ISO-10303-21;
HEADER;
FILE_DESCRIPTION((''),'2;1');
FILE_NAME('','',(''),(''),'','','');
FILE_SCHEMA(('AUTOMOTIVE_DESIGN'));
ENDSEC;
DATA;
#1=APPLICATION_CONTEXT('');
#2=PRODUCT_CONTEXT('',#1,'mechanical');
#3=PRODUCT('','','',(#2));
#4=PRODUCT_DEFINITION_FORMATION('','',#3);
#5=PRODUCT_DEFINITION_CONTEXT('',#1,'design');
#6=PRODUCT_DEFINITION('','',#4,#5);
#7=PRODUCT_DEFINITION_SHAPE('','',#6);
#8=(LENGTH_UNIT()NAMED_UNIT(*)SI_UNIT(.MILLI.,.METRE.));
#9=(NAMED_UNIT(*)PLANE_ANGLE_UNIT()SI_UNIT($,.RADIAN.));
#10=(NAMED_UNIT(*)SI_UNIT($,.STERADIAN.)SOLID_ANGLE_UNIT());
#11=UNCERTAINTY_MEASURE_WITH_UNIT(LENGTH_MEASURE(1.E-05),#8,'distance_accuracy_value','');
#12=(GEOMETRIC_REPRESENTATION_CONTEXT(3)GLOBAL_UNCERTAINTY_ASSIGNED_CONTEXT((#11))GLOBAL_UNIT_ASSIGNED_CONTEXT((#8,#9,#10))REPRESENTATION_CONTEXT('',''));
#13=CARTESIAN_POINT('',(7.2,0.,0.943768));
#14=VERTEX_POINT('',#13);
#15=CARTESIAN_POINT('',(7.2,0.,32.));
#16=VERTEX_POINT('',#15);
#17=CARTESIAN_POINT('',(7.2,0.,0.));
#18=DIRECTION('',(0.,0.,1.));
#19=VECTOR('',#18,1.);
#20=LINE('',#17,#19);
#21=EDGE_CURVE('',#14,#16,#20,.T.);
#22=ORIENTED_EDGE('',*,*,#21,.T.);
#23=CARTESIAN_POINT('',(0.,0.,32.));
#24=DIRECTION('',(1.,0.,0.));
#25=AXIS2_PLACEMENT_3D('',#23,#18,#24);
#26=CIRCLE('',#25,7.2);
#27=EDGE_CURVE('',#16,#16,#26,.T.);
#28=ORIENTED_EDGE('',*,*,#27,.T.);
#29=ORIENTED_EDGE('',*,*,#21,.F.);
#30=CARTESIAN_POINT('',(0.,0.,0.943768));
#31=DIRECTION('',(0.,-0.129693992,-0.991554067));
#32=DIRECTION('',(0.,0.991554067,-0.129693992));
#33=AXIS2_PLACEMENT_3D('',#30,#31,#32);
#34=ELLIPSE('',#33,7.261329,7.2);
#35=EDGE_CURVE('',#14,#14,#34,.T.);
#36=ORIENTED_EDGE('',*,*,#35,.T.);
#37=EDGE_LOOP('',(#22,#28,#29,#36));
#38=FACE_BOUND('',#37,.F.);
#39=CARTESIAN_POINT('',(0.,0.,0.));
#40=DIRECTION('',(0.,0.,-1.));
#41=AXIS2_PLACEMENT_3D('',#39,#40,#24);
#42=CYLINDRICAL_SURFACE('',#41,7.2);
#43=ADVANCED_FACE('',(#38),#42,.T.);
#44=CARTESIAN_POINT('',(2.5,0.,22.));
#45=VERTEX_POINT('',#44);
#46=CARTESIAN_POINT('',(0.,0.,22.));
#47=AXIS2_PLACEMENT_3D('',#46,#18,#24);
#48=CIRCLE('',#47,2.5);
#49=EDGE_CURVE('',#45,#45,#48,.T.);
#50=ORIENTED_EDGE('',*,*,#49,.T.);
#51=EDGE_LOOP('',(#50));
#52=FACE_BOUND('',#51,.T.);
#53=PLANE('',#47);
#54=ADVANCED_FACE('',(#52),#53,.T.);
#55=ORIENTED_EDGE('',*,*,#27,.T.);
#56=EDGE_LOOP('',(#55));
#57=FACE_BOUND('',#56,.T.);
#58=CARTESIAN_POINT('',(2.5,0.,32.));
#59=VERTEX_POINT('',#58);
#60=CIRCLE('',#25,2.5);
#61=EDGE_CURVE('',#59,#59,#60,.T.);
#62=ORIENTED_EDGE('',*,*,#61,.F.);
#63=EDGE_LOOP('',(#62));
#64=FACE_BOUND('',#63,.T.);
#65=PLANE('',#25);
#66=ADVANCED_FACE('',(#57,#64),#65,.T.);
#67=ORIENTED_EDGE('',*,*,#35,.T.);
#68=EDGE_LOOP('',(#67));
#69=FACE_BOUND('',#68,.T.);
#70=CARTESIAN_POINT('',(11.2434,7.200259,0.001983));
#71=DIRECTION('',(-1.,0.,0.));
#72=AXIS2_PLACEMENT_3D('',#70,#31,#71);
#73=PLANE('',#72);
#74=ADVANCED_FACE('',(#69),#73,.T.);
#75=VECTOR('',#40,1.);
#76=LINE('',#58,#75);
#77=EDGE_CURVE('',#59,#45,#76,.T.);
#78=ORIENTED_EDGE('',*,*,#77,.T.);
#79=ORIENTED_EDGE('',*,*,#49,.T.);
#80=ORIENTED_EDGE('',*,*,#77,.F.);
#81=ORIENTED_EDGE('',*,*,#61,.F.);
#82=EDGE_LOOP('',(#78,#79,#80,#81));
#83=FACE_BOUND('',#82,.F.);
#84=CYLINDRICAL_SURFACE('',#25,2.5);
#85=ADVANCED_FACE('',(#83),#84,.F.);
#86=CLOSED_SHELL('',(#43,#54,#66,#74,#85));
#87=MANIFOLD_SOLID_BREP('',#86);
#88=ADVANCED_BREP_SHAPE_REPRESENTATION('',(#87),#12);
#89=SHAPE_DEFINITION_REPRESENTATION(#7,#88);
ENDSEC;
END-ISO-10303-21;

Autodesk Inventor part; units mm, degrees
ref_plane "YZ Plane" through (0, 0, 0) normal (1, 0, 0) x (0, 1, 0)
ref_plane "XZ Plane" through (0, 0, 0) normal (0, 1, 0) x (-1, 0, 0)
ref_plane "XY Plane" through (0, 0, 0) normal (0, 0, 1) x (1, 0, 0)
sketch "Sketch1" plane through (0, 0, 0) normal (0, 0, 1) x (1, 0, 0)
  circle A0 centre (0, 0) radius 7.2
  dimension "d0" = 14.4
extrude "Extrusion1" add sketch "Sketch1" along normal blind 32
sketch "Sketch2" plane through (0, 0, 32) normal (0, 0, 1) x (1, 0, 0)
  circle A0 centre (0, 0) radius 2.5
  dimension "d3" = 5
extrude "Extrusion2" cut sketch "Sketch2" against normal blind 10
sketch "Sketch3" plane through (0, 0, 0) normal (0, 0, 1) x (1, 0, 0)
  circle A0 centre (0, 0) radius 7.2 projected
  line L0 (11.2434, 7.2) -> (-13.4853, 7.2) construction
ref_plane "Work Plane1" through (11.2434, 7.2, 0) normal (0, -0.1297, -0.9916) x (-1, 0, 0)
sketch "Sketch4" plane through (11.2434, 7.2, 0) normal (0, -0.1297, -0.9916) x (-1, 0, 0)
  line L0 (30.8181, -24.4459) -> (-8.3313, -24.4459)
  line L1 (-8.3313, -24.4459) -> (-8.3313, 10.1675)
  line L2 (-8.3313, 10.1675) -> (30.8181, 10.1675)
  line L3 (30.8181, 10.1675) -> (30.8181, -24.4459)
  line L4 (30.8181, -24.4459) -> (-8.3313, 10.1675) construction
  line L5 (-8.3313, -24.4459) -> (30.8181, 10.1675) construction
  point P0 (11.2434, -7.1392)
extrude "Extrusion3" cut sketch "Sketch4" along normal blind 10
properties part number "HoleFill1"
